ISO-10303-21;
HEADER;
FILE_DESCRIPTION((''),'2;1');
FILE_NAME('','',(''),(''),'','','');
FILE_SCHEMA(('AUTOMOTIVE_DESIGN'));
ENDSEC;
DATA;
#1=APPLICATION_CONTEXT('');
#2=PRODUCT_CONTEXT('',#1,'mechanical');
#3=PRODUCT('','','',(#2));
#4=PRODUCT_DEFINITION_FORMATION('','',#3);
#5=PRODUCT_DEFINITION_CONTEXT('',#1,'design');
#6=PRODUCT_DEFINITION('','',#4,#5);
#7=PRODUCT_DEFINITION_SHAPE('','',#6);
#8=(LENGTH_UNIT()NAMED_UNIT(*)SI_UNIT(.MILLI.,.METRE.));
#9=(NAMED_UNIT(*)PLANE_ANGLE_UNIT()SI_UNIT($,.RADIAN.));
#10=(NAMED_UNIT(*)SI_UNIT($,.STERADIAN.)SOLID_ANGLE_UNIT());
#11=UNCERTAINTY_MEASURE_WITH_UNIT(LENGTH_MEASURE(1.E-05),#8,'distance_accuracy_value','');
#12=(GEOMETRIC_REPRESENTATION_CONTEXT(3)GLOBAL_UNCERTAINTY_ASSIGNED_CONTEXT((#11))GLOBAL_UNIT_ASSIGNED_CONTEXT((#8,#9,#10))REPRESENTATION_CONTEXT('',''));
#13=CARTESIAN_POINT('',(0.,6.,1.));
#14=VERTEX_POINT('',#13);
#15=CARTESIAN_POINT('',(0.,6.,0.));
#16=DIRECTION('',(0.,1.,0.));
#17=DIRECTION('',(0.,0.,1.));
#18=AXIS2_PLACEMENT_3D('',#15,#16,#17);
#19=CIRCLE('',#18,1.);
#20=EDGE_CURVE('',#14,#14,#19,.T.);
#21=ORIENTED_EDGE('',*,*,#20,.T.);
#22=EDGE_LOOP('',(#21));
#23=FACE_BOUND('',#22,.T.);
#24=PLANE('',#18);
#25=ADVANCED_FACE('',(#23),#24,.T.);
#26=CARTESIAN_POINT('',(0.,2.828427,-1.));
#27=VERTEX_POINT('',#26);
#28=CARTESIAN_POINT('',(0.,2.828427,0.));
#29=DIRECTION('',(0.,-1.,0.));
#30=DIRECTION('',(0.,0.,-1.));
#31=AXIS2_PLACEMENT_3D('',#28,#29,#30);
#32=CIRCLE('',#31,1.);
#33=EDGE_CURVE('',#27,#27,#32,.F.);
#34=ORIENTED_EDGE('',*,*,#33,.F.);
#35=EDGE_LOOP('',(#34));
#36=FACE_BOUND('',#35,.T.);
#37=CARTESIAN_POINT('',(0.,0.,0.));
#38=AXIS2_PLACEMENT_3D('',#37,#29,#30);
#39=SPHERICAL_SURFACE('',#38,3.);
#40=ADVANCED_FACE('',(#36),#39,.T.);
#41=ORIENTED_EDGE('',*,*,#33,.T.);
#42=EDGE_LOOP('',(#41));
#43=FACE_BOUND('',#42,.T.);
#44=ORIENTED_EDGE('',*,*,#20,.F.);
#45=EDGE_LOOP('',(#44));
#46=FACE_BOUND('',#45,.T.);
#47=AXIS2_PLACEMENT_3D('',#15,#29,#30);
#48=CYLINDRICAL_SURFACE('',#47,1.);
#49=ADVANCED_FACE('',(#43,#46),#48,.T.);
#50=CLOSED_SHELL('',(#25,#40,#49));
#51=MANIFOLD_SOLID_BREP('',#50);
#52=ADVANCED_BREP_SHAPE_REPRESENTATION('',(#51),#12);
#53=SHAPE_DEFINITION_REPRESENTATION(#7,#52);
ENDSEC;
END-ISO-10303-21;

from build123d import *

# Parameters (mm, degrees)
SKETCH_2_R      = 1
EXTRUDE_1_DEPTH = 6


with BuildPart() as part:
    # 草图1 → 旋转1 (revolve)
    with BuildSketch(Plane(origin=(0, 0, 0), x_dir=(1, 0, 0), z_dir=(0, 1, 0))):
        with BuildLine():
            Line((0, 3), (0, -3))
            ThreePointArc((0, -3), (3, 0), (0, 3))
        make_face()
    revolve(axis=Axis((0, 0, -3), (0, 0, 1)))

    # 草图2 → 凸台-拉伸1 (add)
    with BuildSketch(Plane(origin=(0, 0, 0), x_dir=(1, 0, 0), z_dir=(0, 1, 0))):
        with Locations(Location((0, 0, 0), (0, 0, 90))):
            Circle(SKETCH_2_R)
    extrude(amount=EXTRUDE_1_DEPTH)


solid = part.part
